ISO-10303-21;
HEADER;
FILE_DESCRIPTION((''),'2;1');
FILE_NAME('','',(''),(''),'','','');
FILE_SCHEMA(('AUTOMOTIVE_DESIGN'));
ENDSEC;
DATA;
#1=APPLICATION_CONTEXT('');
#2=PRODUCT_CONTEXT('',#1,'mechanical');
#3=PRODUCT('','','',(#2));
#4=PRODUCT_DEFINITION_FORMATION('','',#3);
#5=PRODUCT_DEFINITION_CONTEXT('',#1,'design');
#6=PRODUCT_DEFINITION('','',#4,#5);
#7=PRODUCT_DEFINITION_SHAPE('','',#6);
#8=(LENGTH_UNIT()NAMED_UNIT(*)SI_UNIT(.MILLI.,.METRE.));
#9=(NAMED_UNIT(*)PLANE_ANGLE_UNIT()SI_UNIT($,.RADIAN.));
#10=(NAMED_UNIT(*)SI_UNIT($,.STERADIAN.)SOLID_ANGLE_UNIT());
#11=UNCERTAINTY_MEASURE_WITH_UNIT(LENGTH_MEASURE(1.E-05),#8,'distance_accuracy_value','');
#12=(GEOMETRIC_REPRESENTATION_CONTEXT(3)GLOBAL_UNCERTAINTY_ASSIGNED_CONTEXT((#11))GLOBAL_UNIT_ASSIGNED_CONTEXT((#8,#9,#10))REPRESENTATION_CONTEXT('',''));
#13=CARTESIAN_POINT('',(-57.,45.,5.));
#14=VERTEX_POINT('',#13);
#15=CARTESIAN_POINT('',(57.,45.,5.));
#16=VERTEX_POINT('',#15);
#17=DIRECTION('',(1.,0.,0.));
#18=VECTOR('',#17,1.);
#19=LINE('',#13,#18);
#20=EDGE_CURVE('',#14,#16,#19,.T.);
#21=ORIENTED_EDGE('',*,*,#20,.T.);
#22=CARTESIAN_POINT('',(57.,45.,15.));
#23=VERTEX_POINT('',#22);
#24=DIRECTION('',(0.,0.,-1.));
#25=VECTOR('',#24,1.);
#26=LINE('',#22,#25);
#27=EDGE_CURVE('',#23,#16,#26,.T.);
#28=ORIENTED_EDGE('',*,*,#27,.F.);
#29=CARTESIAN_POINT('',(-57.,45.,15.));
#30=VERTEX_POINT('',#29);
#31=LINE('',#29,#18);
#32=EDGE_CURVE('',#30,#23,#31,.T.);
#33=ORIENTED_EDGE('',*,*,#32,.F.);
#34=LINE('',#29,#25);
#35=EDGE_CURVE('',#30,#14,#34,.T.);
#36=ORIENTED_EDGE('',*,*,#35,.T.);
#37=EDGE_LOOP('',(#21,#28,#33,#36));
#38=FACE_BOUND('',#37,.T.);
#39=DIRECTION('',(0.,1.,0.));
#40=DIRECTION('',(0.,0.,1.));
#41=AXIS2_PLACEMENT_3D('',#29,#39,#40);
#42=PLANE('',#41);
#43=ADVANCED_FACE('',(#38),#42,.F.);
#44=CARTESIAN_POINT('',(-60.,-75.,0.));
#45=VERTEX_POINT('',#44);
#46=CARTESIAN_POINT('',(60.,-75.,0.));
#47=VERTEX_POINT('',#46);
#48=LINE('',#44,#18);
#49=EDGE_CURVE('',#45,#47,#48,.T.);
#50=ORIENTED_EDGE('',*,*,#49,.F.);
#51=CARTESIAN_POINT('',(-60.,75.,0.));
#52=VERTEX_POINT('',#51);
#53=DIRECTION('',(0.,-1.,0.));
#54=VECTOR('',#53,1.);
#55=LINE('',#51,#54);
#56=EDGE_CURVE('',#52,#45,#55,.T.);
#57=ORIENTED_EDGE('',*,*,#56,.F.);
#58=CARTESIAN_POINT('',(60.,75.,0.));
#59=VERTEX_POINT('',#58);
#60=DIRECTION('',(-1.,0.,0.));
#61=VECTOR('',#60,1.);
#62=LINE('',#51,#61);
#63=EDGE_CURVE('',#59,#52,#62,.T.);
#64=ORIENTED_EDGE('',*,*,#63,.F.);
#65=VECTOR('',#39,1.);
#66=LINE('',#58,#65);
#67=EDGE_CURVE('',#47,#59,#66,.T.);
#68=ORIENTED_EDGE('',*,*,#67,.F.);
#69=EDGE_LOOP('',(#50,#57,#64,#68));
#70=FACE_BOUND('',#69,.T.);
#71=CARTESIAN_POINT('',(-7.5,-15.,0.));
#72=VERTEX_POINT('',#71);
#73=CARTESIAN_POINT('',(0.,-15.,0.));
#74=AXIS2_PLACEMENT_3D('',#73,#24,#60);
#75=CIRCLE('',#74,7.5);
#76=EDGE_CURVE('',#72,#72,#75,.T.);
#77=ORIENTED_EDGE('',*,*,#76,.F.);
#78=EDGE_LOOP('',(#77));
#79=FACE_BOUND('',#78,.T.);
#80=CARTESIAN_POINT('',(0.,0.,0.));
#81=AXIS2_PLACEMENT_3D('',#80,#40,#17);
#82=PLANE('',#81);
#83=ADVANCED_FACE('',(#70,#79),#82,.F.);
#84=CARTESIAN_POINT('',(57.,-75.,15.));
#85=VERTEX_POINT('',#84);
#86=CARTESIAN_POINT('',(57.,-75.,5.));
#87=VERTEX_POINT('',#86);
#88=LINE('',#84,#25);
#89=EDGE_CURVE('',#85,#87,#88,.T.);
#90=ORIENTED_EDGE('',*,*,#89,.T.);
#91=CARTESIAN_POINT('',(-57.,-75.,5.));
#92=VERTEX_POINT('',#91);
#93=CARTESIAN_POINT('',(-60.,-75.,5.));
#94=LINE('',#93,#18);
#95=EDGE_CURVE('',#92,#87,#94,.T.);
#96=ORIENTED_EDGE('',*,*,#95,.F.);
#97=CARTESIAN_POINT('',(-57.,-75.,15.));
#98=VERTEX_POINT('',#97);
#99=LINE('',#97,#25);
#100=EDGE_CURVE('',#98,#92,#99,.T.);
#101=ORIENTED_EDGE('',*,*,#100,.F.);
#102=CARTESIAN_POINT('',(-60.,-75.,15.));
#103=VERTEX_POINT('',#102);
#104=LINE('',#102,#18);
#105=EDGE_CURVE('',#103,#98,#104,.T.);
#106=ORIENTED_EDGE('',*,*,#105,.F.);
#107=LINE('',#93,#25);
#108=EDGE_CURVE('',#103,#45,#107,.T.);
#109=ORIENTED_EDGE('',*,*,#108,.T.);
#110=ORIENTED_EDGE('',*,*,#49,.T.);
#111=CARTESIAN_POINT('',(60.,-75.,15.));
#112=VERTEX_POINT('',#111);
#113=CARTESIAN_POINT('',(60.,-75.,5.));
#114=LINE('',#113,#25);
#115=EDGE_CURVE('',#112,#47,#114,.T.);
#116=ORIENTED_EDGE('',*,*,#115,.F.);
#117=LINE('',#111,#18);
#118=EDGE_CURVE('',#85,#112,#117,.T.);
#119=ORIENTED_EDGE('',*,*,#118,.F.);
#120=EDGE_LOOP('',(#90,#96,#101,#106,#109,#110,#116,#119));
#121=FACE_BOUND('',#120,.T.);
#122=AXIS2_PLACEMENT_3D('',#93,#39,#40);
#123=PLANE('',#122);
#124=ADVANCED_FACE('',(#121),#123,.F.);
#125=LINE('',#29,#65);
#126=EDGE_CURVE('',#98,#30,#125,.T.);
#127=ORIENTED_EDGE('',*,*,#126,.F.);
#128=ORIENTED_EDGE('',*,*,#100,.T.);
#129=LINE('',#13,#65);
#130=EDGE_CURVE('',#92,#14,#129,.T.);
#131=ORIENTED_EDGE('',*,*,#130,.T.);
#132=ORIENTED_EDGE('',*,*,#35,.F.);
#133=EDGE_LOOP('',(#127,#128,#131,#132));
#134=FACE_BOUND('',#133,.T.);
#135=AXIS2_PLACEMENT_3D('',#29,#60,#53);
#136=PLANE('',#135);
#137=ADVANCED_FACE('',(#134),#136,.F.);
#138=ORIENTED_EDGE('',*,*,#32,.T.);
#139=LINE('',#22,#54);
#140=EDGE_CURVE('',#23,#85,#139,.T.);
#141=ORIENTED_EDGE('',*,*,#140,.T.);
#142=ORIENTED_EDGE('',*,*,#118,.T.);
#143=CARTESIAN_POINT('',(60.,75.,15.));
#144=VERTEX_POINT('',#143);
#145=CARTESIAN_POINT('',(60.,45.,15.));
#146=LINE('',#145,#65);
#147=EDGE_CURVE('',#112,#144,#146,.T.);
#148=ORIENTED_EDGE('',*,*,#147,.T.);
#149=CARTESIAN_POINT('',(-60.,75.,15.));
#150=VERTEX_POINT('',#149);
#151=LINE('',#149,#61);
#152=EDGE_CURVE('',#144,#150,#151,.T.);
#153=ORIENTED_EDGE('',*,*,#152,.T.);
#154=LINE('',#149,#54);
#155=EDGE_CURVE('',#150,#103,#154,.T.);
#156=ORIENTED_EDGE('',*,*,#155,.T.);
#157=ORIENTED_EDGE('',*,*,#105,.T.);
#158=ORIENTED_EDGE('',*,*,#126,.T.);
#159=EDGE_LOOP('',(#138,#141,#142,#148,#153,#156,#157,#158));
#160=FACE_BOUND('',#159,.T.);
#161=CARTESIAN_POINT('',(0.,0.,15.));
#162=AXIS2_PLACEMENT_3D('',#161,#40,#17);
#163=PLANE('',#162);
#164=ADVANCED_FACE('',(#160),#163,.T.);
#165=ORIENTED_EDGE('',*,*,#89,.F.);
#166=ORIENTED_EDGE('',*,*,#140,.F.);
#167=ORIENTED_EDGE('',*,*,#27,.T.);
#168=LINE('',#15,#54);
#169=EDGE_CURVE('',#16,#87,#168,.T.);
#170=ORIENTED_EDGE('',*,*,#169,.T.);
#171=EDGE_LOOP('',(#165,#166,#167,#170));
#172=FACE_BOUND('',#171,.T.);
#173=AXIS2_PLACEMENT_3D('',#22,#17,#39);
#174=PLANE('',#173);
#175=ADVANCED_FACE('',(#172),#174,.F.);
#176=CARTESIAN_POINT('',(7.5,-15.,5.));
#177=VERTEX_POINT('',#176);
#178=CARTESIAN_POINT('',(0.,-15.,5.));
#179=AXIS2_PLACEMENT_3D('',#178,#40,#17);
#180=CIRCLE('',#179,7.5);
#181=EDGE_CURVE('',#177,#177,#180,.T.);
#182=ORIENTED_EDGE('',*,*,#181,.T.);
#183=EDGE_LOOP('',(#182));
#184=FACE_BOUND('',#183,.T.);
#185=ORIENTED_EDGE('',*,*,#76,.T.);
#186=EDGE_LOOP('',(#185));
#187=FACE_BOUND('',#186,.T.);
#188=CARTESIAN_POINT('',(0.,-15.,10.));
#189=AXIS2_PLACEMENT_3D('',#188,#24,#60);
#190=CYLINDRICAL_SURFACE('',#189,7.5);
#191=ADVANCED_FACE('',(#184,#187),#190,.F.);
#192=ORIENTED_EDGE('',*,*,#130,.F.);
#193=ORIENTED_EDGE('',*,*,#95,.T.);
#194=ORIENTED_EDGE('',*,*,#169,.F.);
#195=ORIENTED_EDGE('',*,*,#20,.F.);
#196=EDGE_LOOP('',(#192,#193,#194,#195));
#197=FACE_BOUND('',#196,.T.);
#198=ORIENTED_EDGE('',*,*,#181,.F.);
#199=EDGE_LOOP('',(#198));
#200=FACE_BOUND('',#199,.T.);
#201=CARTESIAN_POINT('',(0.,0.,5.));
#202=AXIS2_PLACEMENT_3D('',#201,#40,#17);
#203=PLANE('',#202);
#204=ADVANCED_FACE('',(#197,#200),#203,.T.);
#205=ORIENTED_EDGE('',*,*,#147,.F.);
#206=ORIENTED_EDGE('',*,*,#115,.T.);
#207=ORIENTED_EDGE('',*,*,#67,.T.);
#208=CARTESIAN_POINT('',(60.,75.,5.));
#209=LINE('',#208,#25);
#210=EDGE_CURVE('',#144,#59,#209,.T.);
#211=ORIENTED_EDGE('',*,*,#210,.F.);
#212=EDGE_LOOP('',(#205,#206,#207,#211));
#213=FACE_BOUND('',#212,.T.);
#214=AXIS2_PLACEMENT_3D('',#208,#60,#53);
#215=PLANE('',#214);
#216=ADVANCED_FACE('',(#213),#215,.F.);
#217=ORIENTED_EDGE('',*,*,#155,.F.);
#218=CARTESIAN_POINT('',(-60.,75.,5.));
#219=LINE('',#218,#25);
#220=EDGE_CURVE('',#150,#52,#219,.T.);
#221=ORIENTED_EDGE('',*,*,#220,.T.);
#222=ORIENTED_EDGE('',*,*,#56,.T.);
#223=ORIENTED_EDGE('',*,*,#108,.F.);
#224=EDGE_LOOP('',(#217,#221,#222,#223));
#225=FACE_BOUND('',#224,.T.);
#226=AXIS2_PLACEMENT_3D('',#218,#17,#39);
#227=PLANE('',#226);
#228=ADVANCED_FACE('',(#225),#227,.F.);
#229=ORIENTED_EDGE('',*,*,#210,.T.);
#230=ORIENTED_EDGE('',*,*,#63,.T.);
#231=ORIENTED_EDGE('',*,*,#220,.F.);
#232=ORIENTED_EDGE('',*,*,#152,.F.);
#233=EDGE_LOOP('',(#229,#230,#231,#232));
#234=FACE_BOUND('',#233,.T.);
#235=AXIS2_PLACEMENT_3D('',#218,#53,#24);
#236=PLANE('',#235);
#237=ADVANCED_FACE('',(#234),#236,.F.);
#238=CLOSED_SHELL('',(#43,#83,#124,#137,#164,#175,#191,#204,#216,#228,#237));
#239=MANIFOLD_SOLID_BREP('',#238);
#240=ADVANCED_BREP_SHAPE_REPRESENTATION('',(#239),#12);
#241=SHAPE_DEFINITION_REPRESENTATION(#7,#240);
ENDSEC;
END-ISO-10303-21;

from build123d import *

# Parameters (mm, degrees)
SKETCH1_W           = 120
SKETCH1_H           = 150
BOSS_EXTRUDE1_DEPTH = 5
BOSS_EXTRUDE2_DEPTH = 10
SKETCH4_R           = 7.5
CUT_EXTRUDE1_DEPTH  = 10


with BuildPart() as part:
    # Sketch1 → Boss-Extrude1 (new body)
    with BuildSketch(Plane.XY):
        Rectangle(SKETCH1_W, SKETCH1_H)
    extrude(amount=BOSS_EXTRUDE1_DEPTH)

    # Sketch3 → Boss-Extrude2 (add)
    with BuildSketch(Plane.XY.offset(5)):
        Polygon((-60, 45), (-60, -75), (-57, -75), (-57, 45), (57, 45), (57, -75), (60, -75), (60, 45), (60, 75), (-60, 75), align=None)
    extrude(amount=BOSS_EXTRUDE2_DEPTH)

    # Sketch4 → Cut-Extrude1 (cut)
    with BuildSketch(Plane(origin=(0, 0, 0), x_dir=(-1, 0, 0), z_dir=(0, 0, -1))):
        with Locations((0, -15)):
            Circle(SKETCH4_R)
    extrude(amount=-CUT_EXTRUDE1_DEPTH, mode=Mode.SUBTRACT)


solid = part.part
